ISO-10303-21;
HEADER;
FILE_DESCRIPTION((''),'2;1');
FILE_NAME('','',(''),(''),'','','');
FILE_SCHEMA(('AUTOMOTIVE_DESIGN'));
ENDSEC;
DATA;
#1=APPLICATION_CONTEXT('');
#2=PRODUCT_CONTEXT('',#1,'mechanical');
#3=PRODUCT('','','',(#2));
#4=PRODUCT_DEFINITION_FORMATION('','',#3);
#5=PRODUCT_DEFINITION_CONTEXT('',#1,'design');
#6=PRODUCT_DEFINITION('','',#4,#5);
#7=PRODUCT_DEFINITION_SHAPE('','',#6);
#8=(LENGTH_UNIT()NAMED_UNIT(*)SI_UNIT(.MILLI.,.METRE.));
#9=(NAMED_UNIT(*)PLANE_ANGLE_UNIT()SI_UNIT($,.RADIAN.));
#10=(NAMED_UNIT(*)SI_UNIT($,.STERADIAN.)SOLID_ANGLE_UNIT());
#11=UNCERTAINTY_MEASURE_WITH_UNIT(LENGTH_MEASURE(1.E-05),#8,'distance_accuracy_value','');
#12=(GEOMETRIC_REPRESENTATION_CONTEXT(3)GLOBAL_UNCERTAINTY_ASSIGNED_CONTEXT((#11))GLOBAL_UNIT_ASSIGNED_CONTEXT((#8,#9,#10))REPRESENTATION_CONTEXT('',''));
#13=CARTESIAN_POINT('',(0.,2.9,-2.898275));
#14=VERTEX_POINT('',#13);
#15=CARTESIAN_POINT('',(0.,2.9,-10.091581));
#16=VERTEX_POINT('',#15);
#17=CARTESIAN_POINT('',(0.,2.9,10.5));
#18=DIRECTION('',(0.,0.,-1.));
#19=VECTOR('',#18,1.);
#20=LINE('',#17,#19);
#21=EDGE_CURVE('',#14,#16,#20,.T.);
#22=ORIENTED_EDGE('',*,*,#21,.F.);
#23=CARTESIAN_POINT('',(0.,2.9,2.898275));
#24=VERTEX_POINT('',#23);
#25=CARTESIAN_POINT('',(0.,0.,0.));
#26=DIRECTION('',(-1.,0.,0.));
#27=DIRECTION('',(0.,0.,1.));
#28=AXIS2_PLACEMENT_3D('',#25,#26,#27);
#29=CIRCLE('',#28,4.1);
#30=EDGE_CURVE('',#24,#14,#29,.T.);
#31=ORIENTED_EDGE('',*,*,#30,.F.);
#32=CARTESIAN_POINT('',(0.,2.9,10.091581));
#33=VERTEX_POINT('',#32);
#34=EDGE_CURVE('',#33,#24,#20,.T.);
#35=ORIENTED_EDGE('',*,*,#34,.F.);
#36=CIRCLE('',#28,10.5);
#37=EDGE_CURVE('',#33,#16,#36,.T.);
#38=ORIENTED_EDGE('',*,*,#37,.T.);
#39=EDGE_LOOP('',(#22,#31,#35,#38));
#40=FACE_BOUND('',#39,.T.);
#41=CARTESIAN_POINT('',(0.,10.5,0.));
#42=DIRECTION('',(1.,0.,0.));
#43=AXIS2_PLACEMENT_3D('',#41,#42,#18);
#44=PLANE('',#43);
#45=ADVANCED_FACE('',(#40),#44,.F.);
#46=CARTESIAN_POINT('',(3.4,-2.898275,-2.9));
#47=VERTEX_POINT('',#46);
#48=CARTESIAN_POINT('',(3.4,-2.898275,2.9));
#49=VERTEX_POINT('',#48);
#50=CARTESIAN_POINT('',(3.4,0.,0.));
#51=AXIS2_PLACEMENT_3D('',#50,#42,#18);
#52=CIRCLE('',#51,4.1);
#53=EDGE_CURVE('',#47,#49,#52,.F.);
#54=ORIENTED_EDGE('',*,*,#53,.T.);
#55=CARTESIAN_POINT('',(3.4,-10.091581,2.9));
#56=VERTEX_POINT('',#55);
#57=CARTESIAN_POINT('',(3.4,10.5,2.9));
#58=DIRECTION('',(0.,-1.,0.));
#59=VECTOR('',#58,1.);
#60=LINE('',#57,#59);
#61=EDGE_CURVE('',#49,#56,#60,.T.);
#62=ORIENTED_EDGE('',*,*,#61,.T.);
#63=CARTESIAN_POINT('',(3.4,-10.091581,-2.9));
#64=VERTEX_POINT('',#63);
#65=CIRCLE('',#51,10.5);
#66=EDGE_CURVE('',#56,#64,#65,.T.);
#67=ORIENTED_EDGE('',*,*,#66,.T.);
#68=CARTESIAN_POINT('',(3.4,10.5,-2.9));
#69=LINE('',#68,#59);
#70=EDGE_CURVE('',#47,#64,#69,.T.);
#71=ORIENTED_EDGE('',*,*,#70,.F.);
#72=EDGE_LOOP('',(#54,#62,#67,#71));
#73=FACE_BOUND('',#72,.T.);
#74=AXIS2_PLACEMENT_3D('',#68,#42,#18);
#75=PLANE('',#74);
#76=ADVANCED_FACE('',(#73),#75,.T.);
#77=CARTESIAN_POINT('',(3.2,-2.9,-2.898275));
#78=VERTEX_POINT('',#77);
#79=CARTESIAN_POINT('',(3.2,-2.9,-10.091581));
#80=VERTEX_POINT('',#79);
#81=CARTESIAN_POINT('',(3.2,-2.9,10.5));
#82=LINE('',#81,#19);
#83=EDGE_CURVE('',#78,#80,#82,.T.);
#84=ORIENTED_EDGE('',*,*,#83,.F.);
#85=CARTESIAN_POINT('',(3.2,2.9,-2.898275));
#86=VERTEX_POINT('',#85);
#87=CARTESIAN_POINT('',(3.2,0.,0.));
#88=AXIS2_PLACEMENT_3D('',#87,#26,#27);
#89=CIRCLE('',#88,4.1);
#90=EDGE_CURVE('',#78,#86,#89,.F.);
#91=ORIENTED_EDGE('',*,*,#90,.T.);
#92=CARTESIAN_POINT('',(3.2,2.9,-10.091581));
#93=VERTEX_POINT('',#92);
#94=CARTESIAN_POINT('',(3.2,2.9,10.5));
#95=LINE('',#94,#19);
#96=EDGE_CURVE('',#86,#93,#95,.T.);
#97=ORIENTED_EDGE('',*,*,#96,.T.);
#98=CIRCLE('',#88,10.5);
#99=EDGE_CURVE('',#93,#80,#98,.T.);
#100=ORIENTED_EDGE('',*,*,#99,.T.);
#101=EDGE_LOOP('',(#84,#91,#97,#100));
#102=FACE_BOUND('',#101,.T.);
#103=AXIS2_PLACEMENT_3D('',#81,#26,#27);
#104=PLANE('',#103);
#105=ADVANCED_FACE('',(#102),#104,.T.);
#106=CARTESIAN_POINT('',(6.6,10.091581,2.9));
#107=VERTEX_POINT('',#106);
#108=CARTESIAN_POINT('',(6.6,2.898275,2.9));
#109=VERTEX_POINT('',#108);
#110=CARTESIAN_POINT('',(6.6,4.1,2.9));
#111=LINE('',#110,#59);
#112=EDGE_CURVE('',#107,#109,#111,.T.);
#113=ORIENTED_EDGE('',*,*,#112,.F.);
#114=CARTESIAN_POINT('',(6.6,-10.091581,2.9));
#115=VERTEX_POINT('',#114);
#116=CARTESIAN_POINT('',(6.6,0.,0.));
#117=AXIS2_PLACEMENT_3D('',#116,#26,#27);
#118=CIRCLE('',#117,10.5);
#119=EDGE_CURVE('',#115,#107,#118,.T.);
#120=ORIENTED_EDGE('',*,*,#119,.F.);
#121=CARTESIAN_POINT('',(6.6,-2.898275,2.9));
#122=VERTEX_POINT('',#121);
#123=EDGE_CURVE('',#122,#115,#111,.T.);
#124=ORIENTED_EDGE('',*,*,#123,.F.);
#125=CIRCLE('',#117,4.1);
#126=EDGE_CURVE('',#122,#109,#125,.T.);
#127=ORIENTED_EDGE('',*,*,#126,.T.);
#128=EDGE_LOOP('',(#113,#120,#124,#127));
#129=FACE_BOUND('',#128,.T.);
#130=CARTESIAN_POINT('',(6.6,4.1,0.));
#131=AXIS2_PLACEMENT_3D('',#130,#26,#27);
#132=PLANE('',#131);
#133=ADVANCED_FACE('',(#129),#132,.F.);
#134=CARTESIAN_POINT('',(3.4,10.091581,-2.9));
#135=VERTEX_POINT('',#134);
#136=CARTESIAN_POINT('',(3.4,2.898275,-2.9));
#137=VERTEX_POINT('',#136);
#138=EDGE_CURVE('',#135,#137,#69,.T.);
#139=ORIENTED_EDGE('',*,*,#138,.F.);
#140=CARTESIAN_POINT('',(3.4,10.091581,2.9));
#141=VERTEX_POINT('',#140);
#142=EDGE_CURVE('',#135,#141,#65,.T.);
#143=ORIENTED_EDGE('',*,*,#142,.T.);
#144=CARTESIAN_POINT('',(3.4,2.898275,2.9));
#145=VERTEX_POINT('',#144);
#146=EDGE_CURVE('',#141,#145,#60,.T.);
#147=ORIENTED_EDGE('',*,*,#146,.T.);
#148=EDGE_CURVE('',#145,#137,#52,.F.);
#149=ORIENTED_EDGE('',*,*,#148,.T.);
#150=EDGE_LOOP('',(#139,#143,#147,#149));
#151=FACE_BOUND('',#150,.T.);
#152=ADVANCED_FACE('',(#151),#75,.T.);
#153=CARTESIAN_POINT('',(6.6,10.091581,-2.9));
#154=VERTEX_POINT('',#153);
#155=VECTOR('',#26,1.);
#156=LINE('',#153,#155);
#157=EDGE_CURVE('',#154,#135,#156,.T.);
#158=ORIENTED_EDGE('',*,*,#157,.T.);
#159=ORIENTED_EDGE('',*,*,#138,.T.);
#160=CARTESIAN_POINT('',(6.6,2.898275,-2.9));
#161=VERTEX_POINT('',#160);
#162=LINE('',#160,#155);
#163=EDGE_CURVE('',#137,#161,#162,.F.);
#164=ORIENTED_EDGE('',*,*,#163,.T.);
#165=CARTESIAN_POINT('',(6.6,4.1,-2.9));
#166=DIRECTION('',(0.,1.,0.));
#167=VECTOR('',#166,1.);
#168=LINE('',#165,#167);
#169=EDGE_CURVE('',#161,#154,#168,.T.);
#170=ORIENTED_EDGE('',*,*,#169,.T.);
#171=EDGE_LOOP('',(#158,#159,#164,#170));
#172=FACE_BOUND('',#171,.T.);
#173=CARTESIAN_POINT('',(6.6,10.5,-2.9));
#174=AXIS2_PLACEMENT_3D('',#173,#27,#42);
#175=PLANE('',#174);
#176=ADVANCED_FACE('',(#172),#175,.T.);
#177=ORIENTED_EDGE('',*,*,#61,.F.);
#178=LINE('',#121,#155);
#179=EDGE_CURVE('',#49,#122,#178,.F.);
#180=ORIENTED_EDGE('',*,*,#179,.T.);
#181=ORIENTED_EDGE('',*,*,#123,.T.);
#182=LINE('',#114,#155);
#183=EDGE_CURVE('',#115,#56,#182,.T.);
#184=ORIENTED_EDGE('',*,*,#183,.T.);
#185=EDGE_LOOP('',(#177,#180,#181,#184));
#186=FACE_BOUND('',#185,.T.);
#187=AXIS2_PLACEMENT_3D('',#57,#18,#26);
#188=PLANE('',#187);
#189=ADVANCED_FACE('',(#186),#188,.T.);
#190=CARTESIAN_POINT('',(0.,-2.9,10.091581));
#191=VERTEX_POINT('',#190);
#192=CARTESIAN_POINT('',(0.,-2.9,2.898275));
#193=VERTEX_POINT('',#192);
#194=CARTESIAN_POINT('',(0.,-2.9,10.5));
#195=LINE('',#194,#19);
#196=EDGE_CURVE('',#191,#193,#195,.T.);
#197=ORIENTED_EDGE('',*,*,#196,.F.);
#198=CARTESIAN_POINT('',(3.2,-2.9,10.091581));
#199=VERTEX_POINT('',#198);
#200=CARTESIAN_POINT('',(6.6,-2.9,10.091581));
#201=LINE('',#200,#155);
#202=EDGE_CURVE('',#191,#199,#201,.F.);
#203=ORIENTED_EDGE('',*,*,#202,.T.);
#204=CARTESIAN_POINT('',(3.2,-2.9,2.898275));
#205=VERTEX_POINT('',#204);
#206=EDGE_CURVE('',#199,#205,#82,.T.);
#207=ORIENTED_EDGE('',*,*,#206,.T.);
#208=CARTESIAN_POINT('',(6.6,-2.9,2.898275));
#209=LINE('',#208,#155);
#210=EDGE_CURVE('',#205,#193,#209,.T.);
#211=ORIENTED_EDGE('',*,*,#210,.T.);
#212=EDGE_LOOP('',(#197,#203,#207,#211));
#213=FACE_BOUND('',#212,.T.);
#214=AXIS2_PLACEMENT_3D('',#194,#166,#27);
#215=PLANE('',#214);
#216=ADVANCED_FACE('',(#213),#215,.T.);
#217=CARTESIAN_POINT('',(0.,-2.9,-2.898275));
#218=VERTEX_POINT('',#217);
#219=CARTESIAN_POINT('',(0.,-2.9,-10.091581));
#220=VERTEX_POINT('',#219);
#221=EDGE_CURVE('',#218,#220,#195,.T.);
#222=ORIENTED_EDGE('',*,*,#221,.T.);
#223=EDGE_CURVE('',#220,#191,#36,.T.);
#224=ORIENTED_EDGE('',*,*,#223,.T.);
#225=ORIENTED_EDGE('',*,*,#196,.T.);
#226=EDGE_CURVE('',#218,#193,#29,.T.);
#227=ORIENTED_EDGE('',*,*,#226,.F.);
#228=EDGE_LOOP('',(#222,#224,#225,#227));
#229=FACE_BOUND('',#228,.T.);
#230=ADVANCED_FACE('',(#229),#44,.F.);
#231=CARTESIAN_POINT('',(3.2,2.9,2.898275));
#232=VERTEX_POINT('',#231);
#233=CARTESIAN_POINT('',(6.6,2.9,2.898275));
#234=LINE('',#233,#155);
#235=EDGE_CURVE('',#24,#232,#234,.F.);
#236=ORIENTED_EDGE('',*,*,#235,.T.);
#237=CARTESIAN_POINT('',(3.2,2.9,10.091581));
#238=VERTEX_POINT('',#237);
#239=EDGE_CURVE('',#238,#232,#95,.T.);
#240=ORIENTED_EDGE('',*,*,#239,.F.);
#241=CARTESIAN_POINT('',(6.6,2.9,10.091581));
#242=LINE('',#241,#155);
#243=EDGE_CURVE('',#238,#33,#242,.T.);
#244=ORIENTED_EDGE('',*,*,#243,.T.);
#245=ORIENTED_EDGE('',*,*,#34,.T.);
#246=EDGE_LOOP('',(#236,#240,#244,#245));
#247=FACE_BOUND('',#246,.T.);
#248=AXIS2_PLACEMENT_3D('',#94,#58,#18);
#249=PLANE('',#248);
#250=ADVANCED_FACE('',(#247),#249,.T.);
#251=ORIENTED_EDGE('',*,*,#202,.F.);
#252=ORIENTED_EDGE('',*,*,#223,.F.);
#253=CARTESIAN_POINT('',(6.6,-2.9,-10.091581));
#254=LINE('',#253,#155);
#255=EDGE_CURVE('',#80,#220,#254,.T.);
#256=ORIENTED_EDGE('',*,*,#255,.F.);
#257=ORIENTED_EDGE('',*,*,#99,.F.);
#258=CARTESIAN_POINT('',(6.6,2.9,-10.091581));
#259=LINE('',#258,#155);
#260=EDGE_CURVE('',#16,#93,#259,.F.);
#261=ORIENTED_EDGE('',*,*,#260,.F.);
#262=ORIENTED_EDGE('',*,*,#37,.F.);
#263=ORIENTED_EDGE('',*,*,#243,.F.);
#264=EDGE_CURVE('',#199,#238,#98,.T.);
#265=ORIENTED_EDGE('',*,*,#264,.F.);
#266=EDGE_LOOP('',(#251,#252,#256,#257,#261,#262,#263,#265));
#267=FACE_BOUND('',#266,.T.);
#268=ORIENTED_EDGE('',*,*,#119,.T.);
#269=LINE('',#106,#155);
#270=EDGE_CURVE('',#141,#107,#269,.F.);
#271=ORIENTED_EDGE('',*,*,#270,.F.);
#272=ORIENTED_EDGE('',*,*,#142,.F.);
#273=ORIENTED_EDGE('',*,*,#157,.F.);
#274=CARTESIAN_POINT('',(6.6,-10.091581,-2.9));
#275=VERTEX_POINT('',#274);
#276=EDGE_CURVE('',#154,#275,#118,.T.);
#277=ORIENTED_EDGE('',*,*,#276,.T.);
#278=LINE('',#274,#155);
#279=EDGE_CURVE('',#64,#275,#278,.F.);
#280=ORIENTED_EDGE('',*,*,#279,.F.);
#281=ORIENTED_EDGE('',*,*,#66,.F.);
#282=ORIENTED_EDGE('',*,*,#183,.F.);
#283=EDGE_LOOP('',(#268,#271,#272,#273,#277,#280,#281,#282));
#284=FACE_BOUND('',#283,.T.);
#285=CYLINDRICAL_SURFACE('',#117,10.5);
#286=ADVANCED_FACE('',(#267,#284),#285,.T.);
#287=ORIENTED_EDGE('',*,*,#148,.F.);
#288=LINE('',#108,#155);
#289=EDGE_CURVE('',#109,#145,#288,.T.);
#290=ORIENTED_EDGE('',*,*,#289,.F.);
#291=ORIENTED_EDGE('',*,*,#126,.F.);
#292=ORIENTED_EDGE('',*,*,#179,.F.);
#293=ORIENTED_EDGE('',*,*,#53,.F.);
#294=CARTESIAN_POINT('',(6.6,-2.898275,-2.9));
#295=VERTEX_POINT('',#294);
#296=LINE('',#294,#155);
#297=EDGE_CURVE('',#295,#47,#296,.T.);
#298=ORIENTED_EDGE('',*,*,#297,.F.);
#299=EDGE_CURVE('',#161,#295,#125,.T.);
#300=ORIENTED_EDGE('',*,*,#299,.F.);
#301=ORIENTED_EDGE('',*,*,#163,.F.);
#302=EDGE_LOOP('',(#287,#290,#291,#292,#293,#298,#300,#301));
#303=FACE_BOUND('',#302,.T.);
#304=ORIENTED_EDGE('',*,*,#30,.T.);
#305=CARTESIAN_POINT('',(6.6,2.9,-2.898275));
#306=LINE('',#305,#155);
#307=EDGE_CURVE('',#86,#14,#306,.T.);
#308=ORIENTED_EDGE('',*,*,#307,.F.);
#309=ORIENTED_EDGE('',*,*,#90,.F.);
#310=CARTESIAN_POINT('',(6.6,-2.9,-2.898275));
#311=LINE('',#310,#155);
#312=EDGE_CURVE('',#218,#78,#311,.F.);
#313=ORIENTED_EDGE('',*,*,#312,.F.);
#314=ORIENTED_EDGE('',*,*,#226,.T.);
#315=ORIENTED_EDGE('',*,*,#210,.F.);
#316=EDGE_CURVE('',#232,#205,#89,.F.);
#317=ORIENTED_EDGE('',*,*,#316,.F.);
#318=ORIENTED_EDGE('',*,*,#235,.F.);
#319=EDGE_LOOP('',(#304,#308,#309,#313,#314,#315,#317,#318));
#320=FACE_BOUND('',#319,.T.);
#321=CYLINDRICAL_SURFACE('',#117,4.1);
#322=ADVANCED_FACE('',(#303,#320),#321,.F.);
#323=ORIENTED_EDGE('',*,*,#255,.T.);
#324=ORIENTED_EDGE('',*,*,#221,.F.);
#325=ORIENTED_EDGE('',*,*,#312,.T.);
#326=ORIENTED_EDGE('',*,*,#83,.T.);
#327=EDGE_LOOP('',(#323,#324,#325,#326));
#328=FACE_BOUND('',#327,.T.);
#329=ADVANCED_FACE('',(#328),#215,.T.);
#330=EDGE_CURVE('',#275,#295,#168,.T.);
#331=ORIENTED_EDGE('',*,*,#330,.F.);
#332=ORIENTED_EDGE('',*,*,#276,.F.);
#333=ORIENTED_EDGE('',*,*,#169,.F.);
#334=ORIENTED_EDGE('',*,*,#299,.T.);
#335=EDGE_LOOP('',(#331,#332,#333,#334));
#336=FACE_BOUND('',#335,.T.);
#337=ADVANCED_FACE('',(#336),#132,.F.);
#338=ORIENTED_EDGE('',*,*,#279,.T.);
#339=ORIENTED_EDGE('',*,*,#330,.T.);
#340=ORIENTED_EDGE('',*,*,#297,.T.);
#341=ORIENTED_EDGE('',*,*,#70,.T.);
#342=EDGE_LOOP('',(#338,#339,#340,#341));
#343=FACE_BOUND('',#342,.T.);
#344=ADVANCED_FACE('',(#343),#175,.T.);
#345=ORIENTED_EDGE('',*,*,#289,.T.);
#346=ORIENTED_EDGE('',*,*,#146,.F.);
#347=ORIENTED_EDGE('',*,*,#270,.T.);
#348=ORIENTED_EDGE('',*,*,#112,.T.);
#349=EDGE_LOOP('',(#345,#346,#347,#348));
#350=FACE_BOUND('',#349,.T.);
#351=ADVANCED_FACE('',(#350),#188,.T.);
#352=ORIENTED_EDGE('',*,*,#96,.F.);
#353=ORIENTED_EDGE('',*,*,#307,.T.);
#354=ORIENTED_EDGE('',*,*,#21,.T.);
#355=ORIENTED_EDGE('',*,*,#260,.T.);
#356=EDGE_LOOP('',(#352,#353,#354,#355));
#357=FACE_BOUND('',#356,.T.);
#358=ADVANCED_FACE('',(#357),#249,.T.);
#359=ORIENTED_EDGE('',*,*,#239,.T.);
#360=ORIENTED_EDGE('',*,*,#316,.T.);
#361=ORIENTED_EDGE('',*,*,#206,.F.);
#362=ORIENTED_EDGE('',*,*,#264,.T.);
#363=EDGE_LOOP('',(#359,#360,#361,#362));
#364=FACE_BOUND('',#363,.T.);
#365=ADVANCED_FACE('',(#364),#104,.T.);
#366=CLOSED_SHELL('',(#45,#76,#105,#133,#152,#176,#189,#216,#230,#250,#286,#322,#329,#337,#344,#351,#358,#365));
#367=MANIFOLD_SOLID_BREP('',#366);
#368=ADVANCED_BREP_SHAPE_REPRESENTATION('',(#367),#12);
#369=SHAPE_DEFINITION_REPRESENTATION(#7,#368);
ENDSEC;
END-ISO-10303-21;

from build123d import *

# Parameters (mm, degrees)
SKETCH1_W               = 6.6
SKETCH1_H               = 6.4
CUT_EXTRUDE1_DEPTH      = 10.5
CUT_EXTRUDE1_DEPTH_BACK = 10.5
SKETCH2_W               = 3.2
SKETCH2_H               = 5.8
CUT_EXTRUDE2_DEPTH      = 10.5
CUT_EXTRUDE2_DEPTH_BACK = 10.5
SKETCH3_W               = 3.2
SKETCH3_H               = 5.8


with BuildPart() as part:
    # Sketch1 → Revolve1 (revolve)
    with BuildSketch(Plane.XY):
        with Locations((3.3, 7.3)):
            Rectangle(SKETCH1_W, SKETCH1_H)
    revolve(axis=Axis((6.6, 0, 0), (-1, 0, 0)))

    # Sketch2 → Cut-Extrude1 (cut, two sides: drawn at the far end of the back side and taken through both)
    with BuildSketch(Plane.XY.offset(-CUT_EXTRUDE1_DEPTH_BACK)):
        with Locations((1.6, 0)):
            Rectangle(SKETCH2_W, SKETCH2_H)
    extrude(amount=CUT_EXTRUDE1_DEPTH + CUT_EXTRUDE1_DEPTH_BACK, mode=Mode.SUBTRACT)

    # Sketch3 → Cut-Extrude2 (cut, two sides: drawn at the far end of the back side and taken through both)
    with BuildSketch(Plane(origin=(0, 0, 0), x_dir=(-1, 0, 0), z_dir=(0, 1, 0)).offset(-CUT_EXTRUDE2_DEPTH_BACK)):
        with Locations((-5, 0)):
            Rectangle(SKETCH3_W, SKETCH3_H)
    extrude(amount=CUT_EXTRUDE2_DEPTH + CUT_EXTRUDE2_DEPTH_BACK, mode=Mode.SUBTRACT)


solid = part.part
